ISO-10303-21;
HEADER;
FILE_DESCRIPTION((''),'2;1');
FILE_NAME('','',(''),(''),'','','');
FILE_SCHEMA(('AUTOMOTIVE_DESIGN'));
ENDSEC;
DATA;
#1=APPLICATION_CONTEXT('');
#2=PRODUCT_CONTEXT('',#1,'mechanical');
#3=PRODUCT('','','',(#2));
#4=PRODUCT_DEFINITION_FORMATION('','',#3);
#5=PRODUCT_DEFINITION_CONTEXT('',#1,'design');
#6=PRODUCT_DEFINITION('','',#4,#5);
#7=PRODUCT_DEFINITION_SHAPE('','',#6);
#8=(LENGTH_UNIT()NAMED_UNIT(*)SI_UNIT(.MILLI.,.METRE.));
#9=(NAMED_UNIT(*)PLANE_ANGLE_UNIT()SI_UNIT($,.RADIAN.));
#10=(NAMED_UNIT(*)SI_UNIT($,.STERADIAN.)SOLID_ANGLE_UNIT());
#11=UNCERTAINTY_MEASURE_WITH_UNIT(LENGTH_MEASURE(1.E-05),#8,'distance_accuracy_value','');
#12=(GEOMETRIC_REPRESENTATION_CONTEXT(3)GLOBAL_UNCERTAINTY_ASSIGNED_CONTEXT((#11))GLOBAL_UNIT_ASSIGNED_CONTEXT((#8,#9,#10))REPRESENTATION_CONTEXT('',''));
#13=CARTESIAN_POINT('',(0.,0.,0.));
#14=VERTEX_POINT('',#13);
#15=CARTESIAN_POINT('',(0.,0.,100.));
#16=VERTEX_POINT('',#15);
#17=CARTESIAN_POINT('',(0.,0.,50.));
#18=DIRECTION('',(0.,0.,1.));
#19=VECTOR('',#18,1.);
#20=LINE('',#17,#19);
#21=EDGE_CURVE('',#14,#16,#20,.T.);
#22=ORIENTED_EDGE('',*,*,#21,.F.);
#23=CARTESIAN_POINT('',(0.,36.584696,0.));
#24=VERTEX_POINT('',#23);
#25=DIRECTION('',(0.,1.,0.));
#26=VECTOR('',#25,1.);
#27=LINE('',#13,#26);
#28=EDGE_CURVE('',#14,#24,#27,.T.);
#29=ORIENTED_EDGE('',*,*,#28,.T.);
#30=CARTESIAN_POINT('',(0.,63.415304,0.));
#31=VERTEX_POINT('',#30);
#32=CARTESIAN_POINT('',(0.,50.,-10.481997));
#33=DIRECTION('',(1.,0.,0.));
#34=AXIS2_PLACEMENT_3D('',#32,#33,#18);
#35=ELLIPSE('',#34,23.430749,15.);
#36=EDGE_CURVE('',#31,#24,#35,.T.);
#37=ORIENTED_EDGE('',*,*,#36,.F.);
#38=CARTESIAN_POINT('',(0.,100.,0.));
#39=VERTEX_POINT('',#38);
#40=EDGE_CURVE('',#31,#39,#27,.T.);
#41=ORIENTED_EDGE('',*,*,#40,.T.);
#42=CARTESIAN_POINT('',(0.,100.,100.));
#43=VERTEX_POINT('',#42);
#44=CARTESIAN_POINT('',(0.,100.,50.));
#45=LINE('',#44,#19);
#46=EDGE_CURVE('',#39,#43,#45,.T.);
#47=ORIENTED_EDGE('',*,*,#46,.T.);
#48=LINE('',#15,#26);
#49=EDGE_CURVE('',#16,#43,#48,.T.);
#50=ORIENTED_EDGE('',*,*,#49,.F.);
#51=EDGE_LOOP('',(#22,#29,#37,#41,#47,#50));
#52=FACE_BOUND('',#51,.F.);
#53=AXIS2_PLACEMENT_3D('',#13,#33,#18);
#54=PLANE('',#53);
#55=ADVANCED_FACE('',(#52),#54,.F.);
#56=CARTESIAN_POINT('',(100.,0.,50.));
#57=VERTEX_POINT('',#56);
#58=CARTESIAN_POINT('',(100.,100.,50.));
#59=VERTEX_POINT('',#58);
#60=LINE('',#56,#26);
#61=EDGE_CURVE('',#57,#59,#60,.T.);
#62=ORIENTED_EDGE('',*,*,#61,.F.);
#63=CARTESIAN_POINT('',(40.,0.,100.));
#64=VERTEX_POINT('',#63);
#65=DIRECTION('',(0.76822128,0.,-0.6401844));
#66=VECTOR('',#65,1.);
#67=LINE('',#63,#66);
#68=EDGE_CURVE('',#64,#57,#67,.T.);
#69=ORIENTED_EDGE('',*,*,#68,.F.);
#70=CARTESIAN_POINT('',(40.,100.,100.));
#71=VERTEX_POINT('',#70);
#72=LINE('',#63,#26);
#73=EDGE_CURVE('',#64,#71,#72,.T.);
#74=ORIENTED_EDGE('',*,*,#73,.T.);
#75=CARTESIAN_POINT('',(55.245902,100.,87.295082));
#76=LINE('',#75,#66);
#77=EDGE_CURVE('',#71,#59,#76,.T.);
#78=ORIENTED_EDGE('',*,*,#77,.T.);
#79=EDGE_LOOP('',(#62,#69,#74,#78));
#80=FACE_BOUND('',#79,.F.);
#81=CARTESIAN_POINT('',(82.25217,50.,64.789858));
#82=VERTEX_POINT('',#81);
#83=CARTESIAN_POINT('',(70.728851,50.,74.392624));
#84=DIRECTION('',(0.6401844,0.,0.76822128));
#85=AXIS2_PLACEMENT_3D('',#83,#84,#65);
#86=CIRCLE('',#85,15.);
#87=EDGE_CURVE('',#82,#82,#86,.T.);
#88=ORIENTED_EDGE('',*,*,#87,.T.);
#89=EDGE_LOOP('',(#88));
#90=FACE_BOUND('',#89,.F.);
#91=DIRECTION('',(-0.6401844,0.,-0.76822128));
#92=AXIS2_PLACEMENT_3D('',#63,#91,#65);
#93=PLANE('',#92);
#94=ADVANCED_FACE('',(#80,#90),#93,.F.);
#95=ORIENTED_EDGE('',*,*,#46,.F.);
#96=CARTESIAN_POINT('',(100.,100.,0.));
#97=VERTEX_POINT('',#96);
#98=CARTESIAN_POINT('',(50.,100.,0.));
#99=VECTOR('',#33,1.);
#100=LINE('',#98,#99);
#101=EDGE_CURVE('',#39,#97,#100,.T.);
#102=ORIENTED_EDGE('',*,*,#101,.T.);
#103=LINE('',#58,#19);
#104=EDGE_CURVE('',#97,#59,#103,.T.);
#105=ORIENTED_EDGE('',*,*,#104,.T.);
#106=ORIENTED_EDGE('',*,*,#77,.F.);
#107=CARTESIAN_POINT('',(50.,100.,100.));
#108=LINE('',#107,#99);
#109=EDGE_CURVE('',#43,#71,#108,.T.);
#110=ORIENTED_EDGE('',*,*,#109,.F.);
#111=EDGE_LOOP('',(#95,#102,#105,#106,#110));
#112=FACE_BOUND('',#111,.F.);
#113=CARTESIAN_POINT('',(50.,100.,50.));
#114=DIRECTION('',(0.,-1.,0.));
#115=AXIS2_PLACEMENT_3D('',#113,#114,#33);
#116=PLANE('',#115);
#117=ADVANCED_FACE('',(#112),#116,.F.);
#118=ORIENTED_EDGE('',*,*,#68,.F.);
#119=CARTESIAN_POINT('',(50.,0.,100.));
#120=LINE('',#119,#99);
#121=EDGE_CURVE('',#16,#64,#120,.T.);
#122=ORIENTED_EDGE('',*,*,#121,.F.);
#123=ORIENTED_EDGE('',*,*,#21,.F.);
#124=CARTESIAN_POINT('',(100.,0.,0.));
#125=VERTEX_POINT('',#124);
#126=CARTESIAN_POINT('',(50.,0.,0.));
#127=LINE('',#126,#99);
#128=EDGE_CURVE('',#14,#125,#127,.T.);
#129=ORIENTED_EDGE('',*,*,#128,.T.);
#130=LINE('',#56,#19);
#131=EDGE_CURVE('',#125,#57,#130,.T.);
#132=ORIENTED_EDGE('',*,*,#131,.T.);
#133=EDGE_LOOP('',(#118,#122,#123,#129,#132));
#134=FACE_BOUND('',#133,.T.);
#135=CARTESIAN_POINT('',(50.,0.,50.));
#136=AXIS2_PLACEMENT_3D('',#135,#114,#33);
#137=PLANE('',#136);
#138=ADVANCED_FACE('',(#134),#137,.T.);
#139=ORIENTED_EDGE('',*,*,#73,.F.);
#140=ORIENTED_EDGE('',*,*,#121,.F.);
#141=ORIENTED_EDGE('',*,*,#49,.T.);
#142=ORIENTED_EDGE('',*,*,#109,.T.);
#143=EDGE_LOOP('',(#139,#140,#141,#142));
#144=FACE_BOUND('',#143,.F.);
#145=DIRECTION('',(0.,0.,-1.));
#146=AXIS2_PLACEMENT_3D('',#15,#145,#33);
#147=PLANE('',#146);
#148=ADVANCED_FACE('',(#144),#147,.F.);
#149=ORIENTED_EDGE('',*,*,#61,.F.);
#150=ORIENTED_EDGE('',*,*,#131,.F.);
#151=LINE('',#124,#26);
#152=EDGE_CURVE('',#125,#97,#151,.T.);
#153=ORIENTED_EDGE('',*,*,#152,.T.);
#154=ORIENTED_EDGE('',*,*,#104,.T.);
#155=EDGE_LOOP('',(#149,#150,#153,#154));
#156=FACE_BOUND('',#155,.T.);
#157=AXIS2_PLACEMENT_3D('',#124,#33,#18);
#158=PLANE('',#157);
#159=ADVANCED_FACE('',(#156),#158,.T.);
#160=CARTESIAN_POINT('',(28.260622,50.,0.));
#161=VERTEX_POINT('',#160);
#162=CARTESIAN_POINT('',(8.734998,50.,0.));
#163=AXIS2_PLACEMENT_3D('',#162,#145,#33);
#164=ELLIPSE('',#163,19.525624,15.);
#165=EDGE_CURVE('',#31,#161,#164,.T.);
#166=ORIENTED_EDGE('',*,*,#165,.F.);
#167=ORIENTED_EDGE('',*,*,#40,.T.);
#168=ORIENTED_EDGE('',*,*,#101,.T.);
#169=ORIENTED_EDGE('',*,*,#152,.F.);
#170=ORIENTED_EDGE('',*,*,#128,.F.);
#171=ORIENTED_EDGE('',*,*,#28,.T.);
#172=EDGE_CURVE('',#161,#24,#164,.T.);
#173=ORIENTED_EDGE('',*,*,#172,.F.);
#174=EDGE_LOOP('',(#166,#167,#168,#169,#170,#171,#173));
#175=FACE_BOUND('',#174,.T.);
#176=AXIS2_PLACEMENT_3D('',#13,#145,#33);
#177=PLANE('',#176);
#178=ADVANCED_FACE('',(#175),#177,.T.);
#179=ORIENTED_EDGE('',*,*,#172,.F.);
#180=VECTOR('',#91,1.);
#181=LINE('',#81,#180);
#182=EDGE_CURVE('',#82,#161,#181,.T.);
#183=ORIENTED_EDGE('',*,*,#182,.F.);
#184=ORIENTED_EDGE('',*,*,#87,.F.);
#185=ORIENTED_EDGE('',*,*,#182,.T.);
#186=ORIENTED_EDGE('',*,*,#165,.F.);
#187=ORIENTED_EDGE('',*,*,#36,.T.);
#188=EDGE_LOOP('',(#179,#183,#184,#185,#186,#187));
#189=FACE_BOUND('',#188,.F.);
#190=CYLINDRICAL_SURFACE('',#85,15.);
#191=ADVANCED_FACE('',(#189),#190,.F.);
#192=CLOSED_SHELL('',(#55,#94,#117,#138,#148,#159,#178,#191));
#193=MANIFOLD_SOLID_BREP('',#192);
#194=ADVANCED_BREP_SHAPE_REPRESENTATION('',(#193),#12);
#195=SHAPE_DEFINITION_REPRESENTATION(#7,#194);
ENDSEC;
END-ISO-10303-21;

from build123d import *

# Parameters (mm, degrees)
F0_W     = 100
F0_H     = 100
F1_DEPTH = 100
F3_DEPTH = 100.001
F4_R     = 15
F5_DEPTH = 102.4305039463


with BuildPart() as f1:
    # F0 (on Front) → F1 (new body)
    with BuildSketch(Plane.XZ):
        with Locations((50, 50)):
            Rectangle(F0_W, F0_H)
    extrude(amount=-F1_DEPTH)

    # F2 (on face) → F3 (cut, through all)
    with BuildSketch(Plane.XZ):
        Polygon((40, 110), (40, 100), (100, 50), (110, 50), (110, 110), align=None)
    extrude(amount=-F3_DEPTH, mode=Mode.SUBTRACT)

    # F4 (on face) → F5 (cut, through all)
    with BuildSketch(Plane(origin=(65.5737704918, 0, 78.6885245902), x_dir=(0.7682212796, 0, -0.6401843997), z_dir=(0.6401843997, 0, 0.7682212796))):
        with Locations((6.7104112174, 50)):
            Circle(F4_R)
    extrude(amount=-F5_DEPTH, mode=Mode.SUBTRACT)


solid = f1.part
